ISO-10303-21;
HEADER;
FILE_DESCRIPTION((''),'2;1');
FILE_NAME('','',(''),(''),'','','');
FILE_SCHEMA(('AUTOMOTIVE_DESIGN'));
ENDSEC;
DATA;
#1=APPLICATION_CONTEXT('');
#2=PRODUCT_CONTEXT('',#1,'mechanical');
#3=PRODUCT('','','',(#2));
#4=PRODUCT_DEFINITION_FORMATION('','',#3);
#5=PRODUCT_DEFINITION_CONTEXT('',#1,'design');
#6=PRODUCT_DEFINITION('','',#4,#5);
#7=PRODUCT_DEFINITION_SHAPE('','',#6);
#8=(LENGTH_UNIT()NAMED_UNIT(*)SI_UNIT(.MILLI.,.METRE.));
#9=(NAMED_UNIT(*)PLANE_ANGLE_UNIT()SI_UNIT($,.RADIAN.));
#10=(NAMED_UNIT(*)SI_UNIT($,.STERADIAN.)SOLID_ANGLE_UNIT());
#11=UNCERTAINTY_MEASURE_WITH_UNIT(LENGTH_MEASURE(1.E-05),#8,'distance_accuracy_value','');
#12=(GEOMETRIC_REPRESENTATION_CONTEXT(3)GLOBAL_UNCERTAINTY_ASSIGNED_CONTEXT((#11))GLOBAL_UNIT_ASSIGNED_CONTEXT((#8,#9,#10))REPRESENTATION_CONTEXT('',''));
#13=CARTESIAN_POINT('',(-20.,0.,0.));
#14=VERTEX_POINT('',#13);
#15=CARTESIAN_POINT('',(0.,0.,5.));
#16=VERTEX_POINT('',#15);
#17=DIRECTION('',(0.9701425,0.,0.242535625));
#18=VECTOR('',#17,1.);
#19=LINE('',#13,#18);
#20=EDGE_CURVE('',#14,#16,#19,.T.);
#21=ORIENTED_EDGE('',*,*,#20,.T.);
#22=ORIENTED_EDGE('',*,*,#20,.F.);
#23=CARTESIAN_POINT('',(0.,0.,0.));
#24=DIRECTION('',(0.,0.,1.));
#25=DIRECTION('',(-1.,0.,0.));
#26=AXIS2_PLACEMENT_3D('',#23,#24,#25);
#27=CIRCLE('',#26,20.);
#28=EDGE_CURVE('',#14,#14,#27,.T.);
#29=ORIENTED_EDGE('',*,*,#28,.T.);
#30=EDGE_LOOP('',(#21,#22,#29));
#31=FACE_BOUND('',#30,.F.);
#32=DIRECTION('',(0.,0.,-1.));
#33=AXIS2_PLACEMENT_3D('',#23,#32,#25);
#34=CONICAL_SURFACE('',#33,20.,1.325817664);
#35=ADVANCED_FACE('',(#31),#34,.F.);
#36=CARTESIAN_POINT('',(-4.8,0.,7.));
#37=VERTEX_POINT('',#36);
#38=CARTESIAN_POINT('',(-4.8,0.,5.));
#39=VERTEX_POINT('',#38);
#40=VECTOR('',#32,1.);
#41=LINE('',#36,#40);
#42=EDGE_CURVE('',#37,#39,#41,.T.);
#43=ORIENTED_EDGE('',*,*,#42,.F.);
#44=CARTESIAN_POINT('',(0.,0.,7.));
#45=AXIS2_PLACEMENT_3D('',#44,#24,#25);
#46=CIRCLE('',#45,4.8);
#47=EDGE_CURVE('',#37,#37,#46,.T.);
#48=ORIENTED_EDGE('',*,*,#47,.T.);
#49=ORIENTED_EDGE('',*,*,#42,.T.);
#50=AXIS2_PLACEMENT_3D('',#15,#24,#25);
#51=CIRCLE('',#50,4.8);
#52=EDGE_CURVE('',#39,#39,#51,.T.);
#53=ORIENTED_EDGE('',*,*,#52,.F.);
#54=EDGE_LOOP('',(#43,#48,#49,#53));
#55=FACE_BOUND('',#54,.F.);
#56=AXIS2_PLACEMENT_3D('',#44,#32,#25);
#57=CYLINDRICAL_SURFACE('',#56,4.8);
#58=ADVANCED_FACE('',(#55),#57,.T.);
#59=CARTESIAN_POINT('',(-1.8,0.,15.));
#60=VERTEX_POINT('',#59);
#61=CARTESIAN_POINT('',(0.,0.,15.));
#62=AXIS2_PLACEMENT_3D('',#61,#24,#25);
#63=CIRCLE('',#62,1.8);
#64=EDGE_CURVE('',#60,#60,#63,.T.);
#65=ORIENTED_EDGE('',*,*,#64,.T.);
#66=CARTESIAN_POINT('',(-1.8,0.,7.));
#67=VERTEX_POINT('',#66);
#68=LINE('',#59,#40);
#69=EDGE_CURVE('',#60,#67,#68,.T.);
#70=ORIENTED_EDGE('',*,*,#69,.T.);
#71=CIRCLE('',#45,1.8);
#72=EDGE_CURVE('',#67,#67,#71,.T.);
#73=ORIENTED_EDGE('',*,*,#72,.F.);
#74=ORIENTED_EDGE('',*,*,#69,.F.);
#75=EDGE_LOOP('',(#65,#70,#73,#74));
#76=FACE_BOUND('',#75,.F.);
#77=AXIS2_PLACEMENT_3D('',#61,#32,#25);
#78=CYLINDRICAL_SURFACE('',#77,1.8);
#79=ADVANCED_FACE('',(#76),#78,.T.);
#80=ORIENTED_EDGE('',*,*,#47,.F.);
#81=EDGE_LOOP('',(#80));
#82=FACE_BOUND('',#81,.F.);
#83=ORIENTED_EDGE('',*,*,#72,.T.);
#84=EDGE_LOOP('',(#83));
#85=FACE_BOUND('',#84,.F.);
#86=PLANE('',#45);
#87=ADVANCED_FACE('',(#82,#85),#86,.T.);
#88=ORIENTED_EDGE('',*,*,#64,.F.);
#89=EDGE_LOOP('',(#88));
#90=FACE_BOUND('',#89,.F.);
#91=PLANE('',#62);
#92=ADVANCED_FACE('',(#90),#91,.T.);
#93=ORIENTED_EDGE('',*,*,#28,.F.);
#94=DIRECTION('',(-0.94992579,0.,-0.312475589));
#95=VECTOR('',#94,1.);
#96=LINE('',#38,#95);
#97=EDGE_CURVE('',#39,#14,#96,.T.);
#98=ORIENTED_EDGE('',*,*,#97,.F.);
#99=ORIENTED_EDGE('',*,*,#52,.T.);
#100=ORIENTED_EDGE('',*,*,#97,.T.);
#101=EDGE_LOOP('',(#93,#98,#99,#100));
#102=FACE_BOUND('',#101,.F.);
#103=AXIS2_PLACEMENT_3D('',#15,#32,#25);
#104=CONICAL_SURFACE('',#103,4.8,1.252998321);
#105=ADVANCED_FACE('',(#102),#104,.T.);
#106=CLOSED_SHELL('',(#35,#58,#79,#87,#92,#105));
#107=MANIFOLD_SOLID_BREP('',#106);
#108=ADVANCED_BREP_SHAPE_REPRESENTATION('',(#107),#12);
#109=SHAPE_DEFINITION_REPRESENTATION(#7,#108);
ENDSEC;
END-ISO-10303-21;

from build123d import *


with BuildPart() as part:
    # Sketch → Revolution (revolve)
    with BuildSketch(Plane.XZ):
        Polygon((0, 15), (-1.8, 15), (-1.8, 7), (-4.8, 7), (-4.8, 5), (-20, 0), (0, 5), align=None)
    revolve(axis=Axis((0, 0, 0), (0, 0, 1)))


solid = part.part
